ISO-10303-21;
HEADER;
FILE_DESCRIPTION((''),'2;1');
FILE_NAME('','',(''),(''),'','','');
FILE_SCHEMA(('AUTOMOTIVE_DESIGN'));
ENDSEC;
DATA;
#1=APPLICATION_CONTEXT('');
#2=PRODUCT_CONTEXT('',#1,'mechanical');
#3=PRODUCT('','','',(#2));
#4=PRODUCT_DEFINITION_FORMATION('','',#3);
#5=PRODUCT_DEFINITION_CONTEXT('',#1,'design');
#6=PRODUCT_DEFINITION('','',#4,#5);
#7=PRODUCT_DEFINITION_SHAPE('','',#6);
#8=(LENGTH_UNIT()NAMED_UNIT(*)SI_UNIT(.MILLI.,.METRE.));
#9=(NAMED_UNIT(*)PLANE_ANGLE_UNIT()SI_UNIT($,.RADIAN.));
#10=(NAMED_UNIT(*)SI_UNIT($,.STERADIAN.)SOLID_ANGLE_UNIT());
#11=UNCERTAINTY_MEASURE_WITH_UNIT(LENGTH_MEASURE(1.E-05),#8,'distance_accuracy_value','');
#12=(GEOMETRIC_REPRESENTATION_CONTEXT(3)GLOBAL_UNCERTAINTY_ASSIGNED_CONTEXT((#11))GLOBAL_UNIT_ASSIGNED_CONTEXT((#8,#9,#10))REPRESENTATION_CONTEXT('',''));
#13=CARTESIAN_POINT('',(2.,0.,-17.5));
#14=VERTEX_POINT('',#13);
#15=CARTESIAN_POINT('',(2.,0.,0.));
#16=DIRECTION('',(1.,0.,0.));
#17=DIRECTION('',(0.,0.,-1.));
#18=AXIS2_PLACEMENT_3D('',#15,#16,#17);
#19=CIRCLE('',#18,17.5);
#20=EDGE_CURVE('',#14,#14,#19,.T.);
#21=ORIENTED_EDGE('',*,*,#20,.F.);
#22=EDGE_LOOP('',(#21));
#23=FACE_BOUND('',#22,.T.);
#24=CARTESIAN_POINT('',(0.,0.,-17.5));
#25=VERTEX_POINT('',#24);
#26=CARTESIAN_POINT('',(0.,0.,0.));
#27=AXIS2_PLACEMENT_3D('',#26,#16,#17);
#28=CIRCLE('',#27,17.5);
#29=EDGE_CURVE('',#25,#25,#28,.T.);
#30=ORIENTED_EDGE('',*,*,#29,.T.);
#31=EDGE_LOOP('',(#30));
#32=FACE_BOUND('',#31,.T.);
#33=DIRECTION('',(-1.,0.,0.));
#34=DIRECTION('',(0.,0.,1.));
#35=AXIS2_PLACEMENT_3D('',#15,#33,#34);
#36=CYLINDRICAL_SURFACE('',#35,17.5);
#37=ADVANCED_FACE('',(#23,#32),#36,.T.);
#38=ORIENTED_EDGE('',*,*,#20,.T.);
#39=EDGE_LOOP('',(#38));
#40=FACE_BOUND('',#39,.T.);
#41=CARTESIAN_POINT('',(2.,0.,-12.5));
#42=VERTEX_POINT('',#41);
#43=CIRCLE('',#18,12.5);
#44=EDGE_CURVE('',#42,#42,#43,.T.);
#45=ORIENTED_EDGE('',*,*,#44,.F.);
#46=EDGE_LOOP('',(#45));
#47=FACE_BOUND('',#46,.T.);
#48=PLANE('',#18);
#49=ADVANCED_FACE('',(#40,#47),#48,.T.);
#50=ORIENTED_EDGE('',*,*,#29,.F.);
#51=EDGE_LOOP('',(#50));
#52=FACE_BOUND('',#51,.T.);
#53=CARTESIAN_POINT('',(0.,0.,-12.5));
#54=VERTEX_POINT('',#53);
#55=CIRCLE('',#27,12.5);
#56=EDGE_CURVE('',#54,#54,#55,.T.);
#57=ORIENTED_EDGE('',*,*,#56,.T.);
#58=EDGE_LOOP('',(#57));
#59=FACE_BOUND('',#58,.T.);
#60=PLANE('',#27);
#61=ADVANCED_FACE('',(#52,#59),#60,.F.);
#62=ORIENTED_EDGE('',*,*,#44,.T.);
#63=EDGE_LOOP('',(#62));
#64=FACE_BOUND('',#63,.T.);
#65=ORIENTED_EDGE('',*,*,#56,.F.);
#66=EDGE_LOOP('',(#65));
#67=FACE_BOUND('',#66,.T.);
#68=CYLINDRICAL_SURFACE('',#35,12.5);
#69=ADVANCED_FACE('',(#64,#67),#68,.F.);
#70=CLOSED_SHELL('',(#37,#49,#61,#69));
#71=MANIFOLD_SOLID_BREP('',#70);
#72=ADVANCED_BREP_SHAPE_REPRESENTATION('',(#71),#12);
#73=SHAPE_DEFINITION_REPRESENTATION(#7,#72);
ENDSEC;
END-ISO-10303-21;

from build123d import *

# Parameters (mm, degrees)
SZKIC1_R                    = 17.5
SZKIC1_R_2                  = 12.5
DODANIE_WYCI_GNI_CIE1_DEPTH = 2


with BuildPart() as part:
    # Szkic1 → Dodanie-wyciągnięcie1 (new body)
    with BuildSketch(Plane(origin=(0, 0, 0), x_dir=(0, 0, -1), z_dir=(1, 0, 0))):
        Circle(SZKIC1_R)
        Circle(SZKIC1_R_2, mode=Mode.SUBTRACT)
    extrude(amount=DODANIE_WYCI_GNI_CIE1_DEPTH)


solid = part.part
